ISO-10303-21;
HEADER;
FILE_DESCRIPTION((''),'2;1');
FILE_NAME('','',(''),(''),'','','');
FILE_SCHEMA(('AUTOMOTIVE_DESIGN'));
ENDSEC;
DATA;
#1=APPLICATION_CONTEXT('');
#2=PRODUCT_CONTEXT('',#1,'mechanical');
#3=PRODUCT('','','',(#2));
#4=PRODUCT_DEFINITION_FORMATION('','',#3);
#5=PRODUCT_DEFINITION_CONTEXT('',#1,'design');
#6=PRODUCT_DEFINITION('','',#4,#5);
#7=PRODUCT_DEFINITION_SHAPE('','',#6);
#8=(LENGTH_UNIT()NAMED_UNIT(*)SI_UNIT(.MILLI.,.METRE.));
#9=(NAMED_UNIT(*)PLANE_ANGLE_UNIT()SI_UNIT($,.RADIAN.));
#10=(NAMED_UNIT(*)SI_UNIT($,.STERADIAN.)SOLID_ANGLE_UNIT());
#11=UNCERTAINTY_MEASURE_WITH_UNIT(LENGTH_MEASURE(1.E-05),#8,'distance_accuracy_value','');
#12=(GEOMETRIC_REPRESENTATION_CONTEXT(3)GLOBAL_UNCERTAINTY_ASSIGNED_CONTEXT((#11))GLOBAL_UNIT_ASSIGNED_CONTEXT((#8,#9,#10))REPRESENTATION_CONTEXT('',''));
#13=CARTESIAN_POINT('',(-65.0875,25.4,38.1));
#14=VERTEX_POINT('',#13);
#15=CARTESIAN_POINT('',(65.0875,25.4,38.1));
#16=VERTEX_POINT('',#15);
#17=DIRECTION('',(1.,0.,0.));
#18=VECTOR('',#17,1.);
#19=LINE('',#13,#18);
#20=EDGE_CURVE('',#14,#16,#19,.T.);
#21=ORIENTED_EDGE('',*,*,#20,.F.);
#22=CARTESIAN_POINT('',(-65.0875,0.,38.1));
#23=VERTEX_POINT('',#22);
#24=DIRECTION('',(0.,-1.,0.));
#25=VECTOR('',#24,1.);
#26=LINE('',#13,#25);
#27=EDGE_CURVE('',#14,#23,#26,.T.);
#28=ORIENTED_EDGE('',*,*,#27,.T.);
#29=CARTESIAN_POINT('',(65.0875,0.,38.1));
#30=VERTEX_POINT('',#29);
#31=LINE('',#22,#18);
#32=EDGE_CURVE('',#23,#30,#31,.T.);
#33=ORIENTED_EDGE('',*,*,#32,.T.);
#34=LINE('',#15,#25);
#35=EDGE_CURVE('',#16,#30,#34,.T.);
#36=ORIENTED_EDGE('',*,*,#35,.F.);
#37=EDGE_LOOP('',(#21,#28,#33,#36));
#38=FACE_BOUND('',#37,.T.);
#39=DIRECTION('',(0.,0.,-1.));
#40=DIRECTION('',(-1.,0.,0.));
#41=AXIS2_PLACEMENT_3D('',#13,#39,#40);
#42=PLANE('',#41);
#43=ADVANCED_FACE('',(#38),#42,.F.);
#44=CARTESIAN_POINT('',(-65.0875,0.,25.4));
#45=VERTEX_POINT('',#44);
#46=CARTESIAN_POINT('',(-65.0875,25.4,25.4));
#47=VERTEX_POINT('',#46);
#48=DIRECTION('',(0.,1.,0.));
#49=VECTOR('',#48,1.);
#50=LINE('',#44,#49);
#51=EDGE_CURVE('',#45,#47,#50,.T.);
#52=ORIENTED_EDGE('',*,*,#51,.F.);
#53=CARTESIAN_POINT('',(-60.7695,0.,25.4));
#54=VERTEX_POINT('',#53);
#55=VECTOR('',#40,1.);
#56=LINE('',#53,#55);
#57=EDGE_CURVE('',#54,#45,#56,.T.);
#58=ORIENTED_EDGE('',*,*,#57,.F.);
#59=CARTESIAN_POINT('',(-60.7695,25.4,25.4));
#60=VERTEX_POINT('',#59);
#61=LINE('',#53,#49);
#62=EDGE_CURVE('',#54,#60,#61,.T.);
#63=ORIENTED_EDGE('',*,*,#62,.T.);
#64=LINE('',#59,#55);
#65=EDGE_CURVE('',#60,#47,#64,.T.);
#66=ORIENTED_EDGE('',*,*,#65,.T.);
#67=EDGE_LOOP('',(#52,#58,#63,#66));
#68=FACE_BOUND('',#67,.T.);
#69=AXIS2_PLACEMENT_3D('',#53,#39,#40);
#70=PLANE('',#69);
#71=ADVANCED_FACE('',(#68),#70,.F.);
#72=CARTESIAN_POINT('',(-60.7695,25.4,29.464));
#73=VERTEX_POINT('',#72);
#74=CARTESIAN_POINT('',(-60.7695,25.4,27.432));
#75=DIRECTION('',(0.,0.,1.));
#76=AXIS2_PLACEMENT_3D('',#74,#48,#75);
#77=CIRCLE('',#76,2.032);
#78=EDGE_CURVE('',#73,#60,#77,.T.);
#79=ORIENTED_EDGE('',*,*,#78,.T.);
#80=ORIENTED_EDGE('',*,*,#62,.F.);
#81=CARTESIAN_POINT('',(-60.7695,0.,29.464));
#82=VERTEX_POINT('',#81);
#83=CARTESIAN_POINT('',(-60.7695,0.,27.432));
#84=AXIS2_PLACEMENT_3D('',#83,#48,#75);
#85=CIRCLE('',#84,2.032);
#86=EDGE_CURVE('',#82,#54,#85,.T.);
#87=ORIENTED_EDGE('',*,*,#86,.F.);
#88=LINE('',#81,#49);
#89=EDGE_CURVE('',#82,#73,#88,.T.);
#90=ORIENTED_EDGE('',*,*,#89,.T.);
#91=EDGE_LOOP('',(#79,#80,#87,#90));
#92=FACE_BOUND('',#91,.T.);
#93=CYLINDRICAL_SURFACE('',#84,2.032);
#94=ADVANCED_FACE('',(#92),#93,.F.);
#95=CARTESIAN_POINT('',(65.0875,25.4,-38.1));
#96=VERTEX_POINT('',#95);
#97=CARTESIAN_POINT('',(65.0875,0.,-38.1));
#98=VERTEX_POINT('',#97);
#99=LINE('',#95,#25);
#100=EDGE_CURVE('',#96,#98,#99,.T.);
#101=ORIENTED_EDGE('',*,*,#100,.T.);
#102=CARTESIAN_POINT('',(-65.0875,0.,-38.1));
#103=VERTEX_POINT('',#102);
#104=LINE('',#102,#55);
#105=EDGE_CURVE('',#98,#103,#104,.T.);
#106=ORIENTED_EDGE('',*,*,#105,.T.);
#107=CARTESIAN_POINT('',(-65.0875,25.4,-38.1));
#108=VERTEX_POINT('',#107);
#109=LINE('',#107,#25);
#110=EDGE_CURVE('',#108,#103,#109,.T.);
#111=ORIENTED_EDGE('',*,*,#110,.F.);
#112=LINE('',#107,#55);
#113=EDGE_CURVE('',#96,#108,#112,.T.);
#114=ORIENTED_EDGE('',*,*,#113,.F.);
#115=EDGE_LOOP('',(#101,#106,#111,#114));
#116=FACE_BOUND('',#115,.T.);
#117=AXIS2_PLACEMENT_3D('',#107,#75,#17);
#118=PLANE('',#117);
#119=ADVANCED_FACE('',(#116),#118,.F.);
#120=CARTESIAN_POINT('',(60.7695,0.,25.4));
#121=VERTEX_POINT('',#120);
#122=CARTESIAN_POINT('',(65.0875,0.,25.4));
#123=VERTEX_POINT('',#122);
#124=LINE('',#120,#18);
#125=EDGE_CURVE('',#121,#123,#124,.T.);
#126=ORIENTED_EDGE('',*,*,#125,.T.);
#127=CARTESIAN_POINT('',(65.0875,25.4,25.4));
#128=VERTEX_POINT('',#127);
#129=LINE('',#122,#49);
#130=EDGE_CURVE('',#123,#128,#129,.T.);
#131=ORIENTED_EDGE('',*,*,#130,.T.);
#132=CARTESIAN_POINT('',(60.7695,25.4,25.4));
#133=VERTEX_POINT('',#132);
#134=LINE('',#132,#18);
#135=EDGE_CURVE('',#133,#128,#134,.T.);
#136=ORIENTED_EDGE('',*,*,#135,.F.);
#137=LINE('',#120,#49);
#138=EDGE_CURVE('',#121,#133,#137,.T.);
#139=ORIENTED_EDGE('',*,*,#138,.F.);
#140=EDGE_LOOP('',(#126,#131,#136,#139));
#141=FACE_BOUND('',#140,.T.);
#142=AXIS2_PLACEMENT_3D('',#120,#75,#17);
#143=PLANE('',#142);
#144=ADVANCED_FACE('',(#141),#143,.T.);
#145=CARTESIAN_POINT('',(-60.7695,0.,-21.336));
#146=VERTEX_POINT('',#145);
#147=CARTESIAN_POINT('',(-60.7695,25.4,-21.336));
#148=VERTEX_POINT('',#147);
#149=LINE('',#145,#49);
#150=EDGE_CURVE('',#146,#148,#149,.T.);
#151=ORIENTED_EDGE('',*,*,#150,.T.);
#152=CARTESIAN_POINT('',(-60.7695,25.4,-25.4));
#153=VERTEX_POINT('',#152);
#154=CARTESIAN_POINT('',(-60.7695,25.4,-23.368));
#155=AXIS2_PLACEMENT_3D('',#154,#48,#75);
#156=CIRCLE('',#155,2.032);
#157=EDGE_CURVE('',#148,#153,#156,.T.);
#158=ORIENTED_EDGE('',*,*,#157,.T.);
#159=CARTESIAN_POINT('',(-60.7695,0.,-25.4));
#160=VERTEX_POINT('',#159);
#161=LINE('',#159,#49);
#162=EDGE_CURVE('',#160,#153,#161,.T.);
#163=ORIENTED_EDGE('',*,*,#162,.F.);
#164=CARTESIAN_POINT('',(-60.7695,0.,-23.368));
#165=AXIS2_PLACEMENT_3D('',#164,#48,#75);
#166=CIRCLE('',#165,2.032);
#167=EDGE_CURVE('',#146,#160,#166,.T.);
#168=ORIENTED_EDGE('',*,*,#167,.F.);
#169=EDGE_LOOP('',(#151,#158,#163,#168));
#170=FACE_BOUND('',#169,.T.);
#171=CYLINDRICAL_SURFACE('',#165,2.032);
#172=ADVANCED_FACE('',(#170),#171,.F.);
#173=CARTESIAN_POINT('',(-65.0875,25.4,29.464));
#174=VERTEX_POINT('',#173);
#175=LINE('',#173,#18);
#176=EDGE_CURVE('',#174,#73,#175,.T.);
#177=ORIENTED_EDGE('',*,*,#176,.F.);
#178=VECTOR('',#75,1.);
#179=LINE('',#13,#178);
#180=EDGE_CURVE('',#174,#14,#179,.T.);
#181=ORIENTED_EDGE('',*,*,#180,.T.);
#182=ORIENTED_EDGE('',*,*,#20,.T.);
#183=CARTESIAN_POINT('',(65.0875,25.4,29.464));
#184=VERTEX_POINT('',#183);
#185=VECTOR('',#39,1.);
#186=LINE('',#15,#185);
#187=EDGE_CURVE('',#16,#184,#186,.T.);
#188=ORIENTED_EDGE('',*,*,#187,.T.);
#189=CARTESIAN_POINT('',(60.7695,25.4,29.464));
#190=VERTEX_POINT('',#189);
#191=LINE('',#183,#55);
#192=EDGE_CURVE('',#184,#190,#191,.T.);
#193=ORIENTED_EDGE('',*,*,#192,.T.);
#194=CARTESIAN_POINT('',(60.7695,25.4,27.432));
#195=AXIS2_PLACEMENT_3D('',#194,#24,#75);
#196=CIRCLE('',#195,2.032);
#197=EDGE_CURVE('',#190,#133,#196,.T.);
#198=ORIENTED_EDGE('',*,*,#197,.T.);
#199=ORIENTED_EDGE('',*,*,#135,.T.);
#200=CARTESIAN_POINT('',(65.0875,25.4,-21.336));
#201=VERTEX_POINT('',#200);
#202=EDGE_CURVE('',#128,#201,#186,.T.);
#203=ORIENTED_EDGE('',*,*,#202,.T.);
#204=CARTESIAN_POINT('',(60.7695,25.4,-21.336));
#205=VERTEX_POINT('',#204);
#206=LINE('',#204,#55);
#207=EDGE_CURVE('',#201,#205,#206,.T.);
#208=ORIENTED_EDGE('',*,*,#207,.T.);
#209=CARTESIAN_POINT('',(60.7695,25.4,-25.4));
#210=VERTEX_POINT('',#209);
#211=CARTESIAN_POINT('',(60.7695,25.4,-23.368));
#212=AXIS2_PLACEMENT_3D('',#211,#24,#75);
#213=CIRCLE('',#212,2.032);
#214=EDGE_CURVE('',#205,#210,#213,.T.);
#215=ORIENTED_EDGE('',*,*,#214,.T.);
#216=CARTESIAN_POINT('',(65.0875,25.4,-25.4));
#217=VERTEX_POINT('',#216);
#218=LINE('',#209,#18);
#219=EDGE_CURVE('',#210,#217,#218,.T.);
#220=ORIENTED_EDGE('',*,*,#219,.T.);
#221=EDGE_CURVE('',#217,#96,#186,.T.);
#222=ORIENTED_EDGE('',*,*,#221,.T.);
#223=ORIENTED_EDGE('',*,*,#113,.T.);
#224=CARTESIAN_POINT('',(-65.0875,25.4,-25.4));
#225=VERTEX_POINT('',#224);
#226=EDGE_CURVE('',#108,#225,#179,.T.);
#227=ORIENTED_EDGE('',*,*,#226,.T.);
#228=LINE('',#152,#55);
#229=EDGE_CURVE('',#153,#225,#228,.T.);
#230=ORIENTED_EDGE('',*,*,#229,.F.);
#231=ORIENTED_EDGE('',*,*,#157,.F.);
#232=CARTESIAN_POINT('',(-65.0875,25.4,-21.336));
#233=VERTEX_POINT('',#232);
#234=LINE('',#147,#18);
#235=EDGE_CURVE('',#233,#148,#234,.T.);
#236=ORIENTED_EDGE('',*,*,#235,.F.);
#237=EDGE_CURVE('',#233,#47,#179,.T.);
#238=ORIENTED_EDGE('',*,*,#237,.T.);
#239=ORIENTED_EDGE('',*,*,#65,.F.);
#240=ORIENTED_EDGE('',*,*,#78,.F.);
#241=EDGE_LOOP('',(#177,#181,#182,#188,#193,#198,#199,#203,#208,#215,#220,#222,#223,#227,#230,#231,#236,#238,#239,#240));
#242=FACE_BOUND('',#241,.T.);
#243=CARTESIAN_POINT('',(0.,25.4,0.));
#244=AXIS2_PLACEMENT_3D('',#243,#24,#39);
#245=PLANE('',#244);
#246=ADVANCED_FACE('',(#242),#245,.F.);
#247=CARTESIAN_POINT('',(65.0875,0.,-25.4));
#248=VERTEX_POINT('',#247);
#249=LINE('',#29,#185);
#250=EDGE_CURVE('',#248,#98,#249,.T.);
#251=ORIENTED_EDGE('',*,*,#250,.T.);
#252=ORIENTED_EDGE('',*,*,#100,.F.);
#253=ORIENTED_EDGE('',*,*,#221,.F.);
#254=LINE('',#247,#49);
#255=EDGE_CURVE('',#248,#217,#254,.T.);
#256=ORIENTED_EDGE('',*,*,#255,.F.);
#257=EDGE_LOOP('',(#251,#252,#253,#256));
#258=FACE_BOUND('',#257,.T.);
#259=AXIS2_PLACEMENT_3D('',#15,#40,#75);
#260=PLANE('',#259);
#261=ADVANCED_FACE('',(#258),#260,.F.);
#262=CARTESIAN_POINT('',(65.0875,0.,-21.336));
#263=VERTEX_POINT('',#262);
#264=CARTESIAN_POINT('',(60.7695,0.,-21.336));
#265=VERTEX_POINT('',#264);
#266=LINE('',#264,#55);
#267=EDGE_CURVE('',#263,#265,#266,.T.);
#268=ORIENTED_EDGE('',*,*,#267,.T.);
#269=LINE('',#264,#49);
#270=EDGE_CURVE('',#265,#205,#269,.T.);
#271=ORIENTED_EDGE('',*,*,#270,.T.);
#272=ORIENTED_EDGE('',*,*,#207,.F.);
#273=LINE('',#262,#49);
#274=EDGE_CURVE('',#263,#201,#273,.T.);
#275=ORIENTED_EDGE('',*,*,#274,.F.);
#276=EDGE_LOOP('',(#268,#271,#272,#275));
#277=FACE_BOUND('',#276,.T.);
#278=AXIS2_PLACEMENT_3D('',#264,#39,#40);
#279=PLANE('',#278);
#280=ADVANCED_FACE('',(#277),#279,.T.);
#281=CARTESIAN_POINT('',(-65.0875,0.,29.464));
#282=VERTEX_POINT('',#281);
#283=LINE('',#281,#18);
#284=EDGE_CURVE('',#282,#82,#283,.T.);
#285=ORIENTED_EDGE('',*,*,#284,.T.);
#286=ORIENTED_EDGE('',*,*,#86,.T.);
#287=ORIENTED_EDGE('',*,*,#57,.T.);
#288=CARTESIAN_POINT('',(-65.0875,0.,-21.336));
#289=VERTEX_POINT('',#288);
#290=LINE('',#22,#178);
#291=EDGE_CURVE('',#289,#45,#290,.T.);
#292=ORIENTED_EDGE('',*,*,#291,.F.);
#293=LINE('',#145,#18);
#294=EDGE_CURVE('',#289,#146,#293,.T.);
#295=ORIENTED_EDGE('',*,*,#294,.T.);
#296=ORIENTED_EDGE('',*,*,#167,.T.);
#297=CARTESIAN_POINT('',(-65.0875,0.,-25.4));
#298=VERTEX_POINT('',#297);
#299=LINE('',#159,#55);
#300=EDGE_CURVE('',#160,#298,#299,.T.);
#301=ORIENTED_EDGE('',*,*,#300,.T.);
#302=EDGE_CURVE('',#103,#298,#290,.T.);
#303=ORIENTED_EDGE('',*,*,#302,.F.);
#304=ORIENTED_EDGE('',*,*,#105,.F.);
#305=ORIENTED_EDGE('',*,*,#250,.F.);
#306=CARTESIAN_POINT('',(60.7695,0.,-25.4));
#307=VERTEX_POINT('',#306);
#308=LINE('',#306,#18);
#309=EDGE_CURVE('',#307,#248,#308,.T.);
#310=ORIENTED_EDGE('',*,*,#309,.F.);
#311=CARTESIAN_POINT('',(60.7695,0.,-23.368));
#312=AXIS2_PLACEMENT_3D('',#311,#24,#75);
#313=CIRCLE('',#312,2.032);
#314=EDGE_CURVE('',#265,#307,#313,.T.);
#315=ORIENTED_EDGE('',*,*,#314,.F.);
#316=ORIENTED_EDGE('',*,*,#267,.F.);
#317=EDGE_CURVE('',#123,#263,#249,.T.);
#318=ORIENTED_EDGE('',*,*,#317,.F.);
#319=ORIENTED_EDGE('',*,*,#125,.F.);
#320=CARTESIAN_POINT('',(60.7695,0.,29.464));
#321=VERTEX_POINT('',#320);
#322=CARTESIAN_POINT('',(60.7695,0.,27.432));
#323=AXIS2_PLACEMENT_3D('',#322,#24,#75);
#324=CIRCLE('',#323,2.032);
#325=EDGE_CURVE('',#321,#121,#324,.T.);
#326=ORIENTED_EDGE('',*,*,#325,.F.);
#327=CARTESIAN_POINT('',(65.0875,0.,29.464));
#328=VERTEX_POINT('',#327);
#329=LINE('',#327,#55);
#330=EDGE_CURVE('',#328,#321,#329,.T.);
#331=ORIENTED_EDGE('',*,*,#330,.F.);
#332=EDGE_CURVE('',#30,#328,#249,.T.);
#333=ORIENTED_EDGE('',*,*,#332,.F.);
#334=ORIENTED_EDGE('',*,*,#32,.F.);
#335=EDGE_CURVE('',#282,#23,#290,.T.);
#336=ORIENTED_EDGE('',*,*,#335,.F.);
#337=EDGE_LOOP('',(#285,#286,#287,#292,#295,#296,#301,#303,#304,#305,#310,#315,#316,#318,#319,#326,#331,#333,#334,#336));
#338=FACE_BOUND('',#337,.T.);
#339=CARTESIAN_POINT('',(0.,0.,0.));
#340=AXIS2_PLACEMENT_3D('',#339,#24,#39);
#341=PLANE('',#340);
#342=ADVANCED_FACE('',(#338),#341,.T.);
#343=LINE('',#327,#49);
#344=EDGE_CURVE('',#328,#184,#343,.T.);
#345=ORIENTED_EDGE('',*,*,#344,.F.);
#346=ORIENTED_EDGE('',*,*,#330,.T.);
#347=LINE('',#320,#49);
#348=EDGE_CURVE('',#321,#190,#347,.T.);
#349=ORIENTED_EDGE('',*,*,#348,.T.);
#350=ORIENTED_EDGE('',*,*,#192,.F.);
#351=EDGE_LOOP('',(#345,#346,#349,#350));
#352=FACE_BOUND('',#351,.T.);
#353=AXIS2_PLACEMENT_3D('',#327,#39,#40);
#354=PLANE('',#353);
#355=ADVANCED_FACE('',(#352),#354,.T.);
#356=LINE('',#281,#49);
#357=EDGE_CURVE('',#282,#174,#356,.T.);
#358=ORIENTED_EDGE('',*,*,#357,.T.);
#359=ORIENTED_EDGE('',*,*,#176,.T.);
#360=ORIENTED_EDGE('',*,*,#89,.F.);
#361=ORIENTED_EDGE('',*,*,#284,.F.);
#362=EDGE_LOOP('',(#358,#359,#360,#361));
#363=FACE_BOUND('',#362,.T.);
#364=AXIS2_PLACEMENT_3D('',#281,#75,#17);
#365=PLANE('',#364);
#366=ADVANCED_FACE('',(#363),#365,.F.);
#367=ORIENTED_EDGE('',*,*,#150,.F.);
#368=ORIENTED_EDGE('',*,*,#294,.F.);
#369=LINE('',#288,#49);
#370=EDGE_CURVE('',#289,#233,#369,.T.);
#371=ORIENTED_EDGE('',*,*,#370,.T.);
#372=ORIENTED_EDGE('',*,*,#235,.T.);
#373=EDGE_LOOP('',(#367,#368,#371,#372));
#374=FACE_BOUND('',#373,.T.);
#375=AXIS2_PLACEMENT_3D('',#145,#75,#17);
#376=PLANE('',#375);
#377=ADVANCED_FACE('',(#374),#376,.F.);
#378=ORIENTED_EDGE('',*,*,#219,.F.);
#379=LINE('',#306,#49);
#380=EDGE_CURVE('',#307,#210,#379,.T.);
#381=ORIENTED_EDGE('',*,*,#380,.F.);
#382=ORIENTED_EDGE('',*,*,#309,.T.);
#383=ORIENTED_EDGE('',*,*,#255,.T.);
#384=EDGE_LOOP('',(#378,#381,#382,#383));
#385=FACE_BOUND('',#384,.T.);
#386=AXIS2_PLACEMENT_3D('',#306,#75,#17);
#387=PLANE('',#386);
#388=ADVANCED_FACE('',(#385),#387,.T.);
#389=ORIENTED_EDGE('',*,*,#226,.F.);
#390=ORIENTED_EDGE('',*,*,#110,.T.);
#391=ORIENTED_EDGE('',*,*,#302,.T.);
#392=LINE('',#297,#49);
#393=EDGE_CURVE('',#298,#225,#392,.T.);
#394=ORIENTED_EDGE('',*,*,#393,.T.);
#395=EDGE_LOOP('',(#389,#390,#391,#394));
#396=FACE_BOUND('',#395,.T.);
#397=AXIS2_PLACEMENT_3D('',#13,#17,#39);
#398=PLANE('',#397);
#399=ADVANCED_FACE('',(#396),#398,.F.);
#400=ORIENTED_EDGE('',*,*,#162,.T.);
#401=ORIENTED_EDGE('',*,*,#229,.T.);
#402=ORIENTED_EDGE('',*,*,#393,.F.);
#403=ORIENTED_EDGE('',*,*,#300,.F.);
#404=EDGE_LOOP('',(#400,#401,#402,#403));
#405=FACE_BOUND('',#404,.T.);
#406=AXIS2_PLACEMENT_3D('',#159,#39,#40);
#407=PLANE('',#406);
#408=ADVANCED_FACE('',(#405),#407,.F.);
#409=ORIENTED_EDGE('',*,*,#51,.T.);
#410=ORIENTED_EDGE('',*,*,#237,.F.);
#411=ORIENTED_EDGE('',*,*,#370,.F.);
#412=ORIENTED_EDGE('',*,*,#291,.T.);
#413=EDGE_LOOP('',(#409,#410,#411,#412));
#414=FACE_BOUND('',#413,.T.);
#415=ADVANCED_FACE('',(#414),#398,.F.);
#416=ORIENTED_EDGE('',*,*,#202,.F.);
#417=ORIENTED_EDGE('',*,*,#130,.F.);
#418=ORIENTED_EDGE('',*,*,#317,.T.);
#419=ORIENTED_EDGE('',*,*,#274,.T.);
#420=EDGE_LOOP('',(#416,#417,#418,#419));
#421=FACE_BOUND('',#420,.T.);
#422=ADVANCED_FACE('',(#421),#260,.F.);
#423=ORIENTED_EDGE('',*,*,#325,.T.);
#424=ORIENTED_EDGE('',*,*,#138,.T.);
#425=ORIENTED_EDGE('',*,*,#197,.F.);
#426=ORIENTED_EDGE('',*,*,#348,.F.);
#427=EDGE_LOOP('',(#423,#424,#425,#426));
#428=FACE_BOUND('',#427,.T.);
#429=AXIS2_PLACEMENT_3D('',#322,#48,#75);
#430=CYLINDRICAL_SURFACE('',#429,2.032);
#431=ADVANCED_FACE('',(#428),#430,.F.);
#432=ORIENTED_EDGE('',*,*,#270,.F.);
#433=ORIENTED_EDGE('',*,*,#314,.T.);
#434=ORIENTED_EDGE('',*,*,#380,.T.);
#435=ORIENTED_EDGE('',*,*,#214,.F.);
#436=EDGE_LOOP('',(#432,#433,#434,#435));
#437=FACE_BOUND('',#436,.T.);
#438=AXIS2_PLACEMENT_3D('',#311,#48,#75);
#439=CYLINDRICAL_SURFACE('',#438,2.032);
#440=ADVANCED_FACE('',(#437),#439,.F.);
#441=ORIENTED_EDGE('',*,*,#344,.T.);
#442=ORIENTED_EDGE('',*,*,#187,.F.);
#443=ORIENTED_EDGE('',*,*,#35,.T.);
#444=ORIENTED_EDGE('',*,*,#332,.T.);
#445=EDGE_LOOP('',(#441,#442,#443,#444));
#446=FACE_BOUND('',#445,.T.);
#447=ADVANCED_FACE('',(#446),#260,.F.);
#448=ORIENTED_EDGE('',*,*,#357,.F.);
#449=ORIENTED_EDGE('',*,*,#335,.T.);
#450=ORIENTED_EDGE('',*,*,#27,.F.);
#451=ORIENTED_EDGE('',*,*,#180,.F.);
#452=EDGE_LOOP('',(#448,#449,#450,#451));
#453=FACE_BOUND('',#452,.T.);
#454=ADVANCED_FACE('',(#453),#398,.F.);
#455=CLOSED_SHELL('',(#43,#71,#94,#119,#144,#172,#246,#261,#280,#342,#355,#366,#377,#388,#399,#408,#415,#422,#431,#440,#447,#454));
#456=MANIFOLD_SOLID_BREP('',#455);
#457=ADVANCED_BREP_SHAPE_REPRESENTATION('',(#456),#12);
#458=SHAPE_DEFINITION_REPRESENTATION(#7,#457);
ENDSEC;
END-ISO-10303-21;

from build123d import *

# Parameters (mm, degrees)
SKETCH1_W           = 130.175
SKETCH1_H           = 76.2
BOSS_EXTRUDE1_DEPTH = 25.4
CUT_EXTRUDE1_DEPTH  = 26.4


with BuildPart() as part:
    # Sketch1 → Boss-Extrude1 (new body)
    with BuildSketch(Plane(origin=(0, 0, 0), x_dir=(1, 0, 0), z_dir=(0, 1, 0))):
        Rectangle(SKETCH1_W, SKETCH1_H)
    extrude(amount=BOSS_EXTRUDE1_DEPTH)

    # Sketch2 → Cut-Extrude1 (cut, through all)
    with BuildSketch(Plane(origin=(0, 25.4, 0), x_dir=(1, 0, 0), z_dir=(0, 1, 0))):
        with BuildLine():
            Line((-60.7695, 25.4), (-65.0875, 25.4))
            Line((-65.0875, 25.4), (-65.0875, 21.336))
            Line((-65.0875, 21.336), (-60.7695, 21.336))
            ThreePointArc((-60.7695, 21.336), (-58.7375, 23.368), (-60.7695, 25.4))
        make_face()
        with BuildLine():
            Line((-60.7695, -25.4), (-65.0875, -25.4))
            Line((-65.0875, -25.4), (-65.0875, -29.464))
            Line((-65.0875, -29.464), (-60.7695, -29.464))
            ThreePointArc((-60.7695, -29.464), (-58.7375, -27.432), (-60.7695, -25.4))
        make_face()
    cut_extrude1 = extrude(amount=-CUT_EXTRUDE1_DEPTH, mode=Mode.SUBTRACT)

    # Mirror2: Cut-Extrude1 across plane
    add(cut_extrude1.mirror(Plane(origin=(0, 0, 0), x_dir=(0, 0, 1), z_dir=(1, 0, 0))), mode=Mode.SUBTRACT)


solid = part.part
